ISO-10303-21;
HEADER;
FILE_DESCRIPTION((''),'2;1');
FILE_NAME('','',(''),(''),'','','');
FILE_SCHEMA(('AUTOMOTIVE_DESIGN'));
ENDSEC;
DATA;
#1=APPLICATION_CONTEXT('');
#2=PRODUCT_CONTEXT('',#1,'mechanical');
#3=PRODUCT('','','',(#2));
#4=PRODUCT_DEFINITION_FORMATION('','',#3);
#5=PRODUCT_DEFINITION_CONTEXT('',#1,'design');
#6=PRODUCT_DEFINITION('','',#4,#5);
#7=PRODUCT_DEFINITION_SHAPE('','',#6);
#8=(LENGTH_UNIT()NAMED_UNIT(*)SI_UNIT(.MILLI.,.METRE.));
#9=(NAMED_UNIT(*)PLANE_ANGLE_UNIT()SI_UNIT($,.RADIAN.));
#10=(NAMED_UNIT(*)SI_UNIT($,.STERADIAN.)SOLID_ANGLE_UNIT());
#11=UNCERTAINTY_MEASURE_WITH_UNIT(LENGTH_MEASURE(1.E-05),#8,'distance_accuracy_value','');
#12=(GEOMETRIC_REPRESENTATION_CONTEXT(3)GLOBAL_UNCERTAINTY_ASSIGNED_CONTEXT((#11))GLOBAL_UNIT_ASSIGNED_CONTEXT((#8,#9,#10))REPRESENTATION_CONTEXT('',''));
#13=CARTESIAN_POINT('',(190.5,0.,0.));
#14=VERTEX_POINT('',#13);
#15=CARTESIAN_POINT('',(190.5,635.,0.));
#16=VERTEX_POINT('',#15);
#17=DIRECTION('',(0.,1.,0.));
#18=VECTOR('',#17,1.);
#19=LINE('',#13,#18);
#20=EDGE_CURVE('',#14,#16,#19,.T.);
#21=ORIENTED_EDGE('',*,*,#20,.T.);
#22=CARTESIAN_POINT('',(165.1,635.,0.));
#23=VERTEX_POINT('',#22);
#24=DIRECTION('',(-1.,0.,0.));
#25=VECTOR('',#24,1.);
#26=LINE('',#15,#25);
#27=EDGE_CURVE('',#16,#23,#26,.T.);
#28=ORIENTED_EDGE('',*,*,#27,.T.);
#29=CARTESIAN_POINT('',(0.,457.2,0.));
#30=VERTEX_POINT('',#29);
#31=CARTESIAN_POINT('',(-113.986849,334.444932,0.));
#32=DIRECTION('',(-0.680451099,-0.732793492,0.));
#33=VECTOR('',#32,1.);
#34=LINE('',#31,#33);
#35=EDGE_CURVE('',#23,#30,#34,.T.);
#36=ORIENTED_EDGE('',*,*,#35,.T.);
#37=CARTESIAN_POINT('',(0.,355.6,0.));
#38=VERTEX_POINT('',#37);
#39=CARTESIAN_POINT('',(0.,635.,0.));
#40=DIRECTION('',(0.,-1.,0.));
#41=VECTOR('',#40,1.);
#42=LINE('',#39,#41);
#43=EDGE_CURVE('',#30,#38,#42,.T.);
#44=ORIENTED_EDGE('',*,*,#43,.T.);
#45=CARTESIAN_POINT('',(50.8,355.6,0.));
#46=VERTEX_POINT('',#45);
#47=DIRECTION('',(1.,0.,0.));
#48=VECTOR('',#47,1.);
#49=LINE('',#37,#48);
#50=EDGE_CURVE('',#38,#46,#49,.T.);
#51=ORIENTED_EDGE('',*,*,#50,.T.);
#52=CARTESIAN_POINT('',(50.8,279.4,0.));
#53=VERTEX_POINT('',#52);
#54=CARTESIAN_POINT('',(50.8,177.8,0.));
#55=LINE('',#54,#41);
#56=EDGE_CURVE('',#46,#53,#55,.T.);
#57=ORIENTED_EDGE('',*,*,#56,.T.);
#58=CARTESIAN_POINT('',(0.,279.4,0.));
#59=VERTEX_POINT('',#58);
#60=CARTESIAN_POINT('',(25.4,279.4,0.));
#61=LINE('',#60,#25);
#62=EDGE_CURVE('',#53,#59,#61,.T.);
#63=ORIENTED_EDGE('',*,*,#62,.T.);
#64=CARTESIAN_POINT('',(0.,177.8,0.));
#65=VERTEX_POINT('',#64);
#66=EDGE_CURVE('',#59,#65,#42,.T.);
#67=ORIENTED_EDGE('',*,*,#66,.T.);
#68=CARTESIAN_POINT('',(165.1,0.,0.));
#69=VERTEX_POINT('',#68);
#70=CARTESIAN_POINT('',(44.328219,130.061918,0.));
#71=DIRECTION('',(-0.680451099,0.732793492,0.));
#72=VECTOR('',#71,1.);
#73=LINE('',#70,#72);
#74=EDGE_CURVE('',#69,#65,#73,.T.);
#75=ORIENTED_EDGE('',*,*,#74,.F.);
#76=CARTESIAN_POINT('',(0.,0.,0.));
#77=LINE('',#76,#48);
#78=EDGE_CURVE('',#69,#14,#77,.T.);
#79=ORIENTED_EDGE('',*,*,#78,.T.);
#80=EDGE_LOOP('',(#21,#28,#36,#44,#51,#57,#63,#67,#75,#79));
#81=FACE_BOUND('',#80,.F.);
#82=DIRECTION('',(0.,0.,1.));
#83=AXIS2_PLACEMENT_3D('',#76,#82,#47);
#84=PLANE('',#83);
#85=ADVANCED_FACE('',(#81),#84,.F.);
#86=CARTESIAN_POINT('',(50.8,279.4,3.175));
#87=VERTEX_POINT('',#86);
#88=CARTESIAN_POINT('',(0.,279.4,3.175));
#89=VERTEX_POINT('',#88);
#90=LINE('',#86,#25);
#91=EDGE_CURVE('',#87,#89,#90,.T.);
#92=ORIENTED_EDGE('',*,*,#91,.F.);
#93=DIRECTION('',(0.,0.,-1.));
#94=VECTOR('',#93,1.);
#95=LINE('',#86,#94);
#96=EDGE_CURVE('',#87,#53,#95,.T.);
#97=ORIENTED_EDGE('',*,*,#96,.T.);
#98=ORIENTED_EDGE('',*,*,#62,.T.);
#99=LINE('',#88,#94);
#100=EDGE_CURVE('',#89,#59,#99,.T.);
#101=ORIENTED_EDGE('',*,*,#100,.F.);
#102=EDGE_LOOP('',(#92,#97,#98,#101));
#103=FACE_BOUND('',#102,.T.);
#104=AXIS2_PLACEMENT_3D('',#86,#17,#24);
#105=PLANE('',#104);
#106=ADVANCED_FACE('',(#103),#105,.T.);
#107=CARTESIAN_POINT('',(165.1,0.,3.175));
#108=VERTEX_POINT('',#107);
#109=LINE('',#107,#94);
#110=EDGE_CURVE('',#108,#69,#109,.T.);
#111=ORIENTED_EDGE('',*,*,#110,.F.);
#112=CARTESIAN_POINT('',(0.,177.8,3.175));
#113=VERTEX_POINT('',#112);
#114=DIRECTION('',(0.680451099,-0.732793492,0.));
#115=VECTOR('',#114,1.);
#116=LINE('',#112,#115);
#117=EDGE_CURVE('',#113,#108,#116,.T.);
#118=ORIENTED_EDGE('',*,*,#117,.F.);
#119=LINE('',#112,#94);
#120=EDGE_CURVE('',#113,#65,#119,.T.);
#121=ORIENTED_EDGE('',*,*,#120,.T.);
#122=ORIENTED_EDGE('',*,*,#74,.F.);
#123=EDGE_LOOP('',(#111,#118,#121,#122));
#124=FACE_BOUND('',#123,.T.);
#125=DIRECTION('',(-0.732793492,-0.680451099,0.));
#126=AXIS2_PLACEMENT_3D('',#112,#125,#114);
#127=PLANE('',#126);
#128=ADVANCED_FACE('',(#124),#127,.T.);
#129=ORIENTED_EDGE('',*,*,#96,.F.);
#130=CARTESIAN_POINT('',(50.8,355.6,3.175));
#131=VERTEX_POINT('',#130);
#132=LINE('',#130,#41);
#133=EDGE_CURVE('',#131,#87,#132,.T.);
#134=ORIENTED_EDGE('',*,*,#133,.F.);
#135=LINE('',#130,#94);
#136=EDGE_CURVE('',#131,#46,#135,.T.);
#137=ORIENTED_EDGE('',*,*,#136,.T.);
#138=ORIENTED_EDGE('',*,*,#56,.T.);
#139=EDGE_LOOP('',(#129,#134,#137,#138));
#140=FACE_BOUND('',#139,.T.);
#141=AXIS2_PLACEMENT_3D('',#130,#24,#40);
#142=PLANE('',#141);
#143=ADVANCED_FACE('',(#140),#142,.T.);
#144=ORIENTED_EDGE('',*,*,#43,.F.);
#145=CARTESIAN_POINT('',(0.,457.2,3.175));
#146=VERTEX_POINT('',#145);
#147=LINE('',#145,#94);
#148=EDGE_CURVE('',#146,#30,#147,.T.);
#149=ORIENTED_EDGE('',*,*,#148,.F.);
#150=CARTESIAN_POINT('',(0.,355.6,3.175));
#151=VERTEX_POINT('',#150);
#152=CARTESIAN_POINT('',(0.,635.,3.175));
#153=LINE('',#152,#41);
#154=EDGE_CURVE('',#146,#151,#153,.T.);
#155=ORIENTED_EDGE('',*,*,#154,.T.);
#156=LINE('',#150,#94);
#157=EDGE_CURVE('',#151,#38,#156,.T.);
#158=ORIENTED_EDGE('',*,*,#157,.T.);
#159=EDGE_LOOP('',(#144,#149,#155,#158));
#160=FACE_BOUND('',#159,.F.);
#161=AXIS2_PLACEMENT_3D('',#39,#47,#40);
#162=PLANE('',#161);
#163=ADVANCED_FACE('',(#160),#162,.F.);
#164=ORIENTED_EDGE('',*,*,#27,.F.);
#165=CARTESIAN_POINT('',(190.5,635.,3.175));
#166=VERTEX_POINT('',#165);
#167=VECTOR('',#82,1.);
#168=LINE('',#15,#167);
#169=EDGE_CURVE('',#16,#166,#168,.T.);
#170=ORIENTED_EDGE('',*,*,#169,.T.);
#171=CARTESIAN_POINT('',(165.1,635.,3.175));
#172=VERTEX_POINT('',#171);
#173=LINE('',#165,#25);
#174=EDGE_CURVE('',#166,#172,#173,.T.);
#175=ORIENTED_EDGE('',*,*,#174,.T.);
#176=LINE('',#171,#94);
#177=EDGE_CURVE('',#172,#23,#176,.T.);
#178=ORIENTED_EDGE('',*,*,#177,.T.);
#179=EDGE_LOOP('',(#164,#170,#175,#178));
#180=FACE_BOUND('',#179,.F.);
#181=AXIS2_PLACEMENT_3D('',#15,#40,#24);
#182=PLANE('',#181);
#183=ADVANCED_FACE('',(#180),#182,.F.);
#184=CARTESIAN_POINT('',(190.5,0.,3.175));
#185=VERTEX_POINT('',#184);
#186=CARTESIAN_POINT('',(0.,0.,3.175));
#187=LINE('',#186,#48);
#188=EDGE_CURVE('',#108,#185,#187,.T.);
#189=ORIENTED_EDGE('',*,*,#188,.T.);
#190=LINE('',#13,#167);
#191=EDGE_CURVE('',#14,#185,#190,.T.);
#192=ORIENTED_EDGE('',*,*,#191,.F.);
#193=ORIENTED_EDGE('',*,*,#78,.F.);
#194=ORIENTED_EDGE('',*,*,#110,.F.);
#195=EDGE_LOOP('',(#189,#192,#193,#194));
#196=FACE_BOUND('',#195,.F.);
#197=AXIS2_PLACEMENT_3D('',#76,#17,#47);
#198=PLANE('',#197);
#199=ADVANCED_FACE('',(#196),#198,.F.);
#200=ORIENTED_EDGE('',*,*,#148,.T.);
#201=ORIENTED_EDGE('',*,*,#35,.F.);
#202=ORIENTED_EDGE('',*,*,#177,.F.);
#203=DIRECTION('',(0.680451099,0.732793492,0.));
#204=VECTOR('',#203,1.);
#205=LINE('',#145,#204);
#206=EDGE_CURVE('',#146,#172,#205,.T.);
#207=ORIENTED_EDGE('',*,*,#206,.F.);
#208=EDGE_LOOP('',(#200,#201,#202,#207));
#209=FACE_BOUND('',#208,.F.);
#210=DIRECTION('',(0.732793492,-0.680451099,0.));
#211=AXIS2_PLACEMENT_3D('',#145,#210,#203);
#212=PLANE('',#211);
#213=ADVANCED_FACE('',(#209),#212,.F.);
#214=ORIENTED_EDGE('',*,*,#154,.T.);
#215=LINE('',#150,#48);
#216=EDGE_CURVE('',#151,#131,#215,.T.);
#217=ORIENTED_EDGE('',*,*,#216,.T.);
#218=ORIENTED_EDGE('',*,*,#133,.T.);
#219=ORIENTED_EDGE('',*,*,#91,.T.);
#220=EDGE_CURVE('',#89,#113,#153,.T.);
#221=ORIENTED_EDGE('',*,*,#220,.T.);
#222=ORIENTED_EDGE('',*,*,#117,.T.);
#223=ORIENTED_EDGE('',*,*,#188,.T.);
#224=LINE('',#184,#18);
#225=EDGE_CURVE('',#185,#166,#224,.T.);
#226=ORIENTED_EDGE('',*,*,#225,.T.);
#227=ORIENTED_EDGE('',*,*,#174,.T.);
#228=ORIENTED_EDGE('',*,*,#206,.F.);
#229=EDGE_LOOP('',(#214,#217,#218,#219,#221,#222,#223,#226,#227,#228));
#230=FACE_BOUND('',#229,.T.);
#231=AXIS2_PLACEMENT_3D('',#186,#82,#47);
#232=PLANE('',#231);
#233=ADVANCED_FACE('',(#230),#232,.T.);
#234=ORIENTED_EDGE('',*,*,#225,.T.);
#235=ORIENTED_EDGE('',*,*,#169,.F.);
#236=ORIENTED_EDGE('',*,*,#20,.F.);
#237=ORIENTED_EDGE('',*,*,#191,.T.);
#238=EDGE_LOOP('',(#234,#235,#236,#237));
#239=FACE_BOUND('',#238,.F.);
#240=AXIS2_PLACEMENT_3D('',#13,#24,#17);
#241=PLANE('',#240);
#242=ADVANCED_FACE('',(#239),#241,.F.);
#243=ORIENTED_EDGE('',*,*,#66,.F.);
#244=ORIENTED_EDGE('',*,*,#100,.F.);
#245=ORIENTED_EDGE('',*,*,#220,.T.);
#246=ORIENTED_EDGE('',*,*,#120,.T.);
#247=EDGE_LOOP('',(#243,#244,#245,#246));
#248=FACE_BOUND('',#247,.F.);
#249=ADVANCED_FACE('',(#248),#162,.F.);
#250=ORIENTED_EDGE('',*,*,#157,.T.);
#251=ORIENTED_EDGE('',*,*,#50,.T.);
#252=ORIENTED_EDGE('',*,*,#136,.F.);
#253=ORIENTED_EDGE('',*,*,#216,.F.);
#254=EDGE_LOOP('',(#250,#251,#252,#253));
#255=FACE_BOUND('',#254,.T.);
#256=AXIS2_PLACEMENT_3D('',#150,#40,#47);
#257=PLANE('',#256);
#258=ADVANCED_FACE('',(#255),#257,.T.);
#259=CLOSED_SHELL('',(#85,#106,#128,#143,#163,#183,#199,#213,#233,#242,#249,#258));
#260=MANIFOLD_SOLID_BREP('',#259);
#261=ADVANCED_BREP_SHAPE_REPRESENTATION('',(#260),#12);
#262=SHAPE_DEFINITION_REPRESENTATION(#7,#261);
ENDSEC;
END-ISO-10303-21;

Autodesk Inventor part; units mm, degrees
ref_plane "YZ Plane" through (0, 0, 0) normal (1, 0, 0) x (0, 1, 0)
ref_plane "XZ Plane" through (0, 0, 0) normal (0, 1, 0) x (-1, 0, 0)
ref_plane "XY Plane" through (0, 0, 0) normal (0, 0, 1) x (1, 0, 0)
sketch "Sketch1" plane through (0, 0, 0) normal (0, 0, 1) x (1, 0, 0)
  line L0 (0, 0) -> (190.5, 0)
  line L1 (190.5, 0) -> (190.5, 635)
  line L2 (190.5, 635) -> (0, 635)
  line L3 (0, 635) -> (0, 0)
  dimension "d0" = 190.5
  dimension "d1" = 635
extrude "Extrusion1" add sketch "Sketch1" along normal blind 3.175
sketch "Sketch2" plane through (0, 0, 3.175) normal (0, 0, 1) x (1, 0, 0)
  line L0 (0, 0) -> (0, 635) projected
  line L1 (190.5, 0) -> (0, 0) projected
  line L2 (165.1, 0) -> (0, 0)
  line L3 (0, 177.8) -> (165.1, 0)
  line L4 (0, 635) -> (190.5, 635) projected
  line L5 (165.1, 635) -> (0, 635)
  line L6 (0, 457.2) -> (165.1, 635)
  line L7 (0, 457.2) -> (0, 635)
  line L8 (165.1, 635) -> (165.1, 0) construction
  line L9 (190.5, 635) -> (190.5, 0) projected
  dimension "d5" = 177.8
  dimension "d8" = 177.8
  dimension "d9" = 25.4
extrude "Extrusion2" cut sketch "Sketch2" against normal up to next contours L0 L3 L1 | L0 L4 L6
sketch "Sketch4" plane through (0, 0, 3.175) normal (0, 0, 1) x (1, 0, 0)
  line L0 (0, 177.8) -> (0, 457.2) projected
  line L1 (0, 355.6) -> (50.8, 355.6)
  line L2 (50.8, 355.6) -> (50.8, 279.4)
  line L3 (50.8, 279.4) -> (0, 279.4)
  line L4 (0, 279.4) -> (0, 355.6)
  line L5 (165.1, 635) -> (50.8, 635) construction
  line L6 (50.8, 635) -> (50.8, 355.6) construction
  line L7 (50.8, 279.4) -> (50.8, 0) construction
  line L8 (50.8, 0) -> (165.1, 0) construction
  point P0 (0, 0)
  dimension "d17" = 76.2
  dimension "d18" = 50.8
extrude "Extrusion4" cut sketch "Sketch4" against normal through all
properties part number "Conveyor_Frame_BottomStabilizerPlate" material "Aluminum-6061"
